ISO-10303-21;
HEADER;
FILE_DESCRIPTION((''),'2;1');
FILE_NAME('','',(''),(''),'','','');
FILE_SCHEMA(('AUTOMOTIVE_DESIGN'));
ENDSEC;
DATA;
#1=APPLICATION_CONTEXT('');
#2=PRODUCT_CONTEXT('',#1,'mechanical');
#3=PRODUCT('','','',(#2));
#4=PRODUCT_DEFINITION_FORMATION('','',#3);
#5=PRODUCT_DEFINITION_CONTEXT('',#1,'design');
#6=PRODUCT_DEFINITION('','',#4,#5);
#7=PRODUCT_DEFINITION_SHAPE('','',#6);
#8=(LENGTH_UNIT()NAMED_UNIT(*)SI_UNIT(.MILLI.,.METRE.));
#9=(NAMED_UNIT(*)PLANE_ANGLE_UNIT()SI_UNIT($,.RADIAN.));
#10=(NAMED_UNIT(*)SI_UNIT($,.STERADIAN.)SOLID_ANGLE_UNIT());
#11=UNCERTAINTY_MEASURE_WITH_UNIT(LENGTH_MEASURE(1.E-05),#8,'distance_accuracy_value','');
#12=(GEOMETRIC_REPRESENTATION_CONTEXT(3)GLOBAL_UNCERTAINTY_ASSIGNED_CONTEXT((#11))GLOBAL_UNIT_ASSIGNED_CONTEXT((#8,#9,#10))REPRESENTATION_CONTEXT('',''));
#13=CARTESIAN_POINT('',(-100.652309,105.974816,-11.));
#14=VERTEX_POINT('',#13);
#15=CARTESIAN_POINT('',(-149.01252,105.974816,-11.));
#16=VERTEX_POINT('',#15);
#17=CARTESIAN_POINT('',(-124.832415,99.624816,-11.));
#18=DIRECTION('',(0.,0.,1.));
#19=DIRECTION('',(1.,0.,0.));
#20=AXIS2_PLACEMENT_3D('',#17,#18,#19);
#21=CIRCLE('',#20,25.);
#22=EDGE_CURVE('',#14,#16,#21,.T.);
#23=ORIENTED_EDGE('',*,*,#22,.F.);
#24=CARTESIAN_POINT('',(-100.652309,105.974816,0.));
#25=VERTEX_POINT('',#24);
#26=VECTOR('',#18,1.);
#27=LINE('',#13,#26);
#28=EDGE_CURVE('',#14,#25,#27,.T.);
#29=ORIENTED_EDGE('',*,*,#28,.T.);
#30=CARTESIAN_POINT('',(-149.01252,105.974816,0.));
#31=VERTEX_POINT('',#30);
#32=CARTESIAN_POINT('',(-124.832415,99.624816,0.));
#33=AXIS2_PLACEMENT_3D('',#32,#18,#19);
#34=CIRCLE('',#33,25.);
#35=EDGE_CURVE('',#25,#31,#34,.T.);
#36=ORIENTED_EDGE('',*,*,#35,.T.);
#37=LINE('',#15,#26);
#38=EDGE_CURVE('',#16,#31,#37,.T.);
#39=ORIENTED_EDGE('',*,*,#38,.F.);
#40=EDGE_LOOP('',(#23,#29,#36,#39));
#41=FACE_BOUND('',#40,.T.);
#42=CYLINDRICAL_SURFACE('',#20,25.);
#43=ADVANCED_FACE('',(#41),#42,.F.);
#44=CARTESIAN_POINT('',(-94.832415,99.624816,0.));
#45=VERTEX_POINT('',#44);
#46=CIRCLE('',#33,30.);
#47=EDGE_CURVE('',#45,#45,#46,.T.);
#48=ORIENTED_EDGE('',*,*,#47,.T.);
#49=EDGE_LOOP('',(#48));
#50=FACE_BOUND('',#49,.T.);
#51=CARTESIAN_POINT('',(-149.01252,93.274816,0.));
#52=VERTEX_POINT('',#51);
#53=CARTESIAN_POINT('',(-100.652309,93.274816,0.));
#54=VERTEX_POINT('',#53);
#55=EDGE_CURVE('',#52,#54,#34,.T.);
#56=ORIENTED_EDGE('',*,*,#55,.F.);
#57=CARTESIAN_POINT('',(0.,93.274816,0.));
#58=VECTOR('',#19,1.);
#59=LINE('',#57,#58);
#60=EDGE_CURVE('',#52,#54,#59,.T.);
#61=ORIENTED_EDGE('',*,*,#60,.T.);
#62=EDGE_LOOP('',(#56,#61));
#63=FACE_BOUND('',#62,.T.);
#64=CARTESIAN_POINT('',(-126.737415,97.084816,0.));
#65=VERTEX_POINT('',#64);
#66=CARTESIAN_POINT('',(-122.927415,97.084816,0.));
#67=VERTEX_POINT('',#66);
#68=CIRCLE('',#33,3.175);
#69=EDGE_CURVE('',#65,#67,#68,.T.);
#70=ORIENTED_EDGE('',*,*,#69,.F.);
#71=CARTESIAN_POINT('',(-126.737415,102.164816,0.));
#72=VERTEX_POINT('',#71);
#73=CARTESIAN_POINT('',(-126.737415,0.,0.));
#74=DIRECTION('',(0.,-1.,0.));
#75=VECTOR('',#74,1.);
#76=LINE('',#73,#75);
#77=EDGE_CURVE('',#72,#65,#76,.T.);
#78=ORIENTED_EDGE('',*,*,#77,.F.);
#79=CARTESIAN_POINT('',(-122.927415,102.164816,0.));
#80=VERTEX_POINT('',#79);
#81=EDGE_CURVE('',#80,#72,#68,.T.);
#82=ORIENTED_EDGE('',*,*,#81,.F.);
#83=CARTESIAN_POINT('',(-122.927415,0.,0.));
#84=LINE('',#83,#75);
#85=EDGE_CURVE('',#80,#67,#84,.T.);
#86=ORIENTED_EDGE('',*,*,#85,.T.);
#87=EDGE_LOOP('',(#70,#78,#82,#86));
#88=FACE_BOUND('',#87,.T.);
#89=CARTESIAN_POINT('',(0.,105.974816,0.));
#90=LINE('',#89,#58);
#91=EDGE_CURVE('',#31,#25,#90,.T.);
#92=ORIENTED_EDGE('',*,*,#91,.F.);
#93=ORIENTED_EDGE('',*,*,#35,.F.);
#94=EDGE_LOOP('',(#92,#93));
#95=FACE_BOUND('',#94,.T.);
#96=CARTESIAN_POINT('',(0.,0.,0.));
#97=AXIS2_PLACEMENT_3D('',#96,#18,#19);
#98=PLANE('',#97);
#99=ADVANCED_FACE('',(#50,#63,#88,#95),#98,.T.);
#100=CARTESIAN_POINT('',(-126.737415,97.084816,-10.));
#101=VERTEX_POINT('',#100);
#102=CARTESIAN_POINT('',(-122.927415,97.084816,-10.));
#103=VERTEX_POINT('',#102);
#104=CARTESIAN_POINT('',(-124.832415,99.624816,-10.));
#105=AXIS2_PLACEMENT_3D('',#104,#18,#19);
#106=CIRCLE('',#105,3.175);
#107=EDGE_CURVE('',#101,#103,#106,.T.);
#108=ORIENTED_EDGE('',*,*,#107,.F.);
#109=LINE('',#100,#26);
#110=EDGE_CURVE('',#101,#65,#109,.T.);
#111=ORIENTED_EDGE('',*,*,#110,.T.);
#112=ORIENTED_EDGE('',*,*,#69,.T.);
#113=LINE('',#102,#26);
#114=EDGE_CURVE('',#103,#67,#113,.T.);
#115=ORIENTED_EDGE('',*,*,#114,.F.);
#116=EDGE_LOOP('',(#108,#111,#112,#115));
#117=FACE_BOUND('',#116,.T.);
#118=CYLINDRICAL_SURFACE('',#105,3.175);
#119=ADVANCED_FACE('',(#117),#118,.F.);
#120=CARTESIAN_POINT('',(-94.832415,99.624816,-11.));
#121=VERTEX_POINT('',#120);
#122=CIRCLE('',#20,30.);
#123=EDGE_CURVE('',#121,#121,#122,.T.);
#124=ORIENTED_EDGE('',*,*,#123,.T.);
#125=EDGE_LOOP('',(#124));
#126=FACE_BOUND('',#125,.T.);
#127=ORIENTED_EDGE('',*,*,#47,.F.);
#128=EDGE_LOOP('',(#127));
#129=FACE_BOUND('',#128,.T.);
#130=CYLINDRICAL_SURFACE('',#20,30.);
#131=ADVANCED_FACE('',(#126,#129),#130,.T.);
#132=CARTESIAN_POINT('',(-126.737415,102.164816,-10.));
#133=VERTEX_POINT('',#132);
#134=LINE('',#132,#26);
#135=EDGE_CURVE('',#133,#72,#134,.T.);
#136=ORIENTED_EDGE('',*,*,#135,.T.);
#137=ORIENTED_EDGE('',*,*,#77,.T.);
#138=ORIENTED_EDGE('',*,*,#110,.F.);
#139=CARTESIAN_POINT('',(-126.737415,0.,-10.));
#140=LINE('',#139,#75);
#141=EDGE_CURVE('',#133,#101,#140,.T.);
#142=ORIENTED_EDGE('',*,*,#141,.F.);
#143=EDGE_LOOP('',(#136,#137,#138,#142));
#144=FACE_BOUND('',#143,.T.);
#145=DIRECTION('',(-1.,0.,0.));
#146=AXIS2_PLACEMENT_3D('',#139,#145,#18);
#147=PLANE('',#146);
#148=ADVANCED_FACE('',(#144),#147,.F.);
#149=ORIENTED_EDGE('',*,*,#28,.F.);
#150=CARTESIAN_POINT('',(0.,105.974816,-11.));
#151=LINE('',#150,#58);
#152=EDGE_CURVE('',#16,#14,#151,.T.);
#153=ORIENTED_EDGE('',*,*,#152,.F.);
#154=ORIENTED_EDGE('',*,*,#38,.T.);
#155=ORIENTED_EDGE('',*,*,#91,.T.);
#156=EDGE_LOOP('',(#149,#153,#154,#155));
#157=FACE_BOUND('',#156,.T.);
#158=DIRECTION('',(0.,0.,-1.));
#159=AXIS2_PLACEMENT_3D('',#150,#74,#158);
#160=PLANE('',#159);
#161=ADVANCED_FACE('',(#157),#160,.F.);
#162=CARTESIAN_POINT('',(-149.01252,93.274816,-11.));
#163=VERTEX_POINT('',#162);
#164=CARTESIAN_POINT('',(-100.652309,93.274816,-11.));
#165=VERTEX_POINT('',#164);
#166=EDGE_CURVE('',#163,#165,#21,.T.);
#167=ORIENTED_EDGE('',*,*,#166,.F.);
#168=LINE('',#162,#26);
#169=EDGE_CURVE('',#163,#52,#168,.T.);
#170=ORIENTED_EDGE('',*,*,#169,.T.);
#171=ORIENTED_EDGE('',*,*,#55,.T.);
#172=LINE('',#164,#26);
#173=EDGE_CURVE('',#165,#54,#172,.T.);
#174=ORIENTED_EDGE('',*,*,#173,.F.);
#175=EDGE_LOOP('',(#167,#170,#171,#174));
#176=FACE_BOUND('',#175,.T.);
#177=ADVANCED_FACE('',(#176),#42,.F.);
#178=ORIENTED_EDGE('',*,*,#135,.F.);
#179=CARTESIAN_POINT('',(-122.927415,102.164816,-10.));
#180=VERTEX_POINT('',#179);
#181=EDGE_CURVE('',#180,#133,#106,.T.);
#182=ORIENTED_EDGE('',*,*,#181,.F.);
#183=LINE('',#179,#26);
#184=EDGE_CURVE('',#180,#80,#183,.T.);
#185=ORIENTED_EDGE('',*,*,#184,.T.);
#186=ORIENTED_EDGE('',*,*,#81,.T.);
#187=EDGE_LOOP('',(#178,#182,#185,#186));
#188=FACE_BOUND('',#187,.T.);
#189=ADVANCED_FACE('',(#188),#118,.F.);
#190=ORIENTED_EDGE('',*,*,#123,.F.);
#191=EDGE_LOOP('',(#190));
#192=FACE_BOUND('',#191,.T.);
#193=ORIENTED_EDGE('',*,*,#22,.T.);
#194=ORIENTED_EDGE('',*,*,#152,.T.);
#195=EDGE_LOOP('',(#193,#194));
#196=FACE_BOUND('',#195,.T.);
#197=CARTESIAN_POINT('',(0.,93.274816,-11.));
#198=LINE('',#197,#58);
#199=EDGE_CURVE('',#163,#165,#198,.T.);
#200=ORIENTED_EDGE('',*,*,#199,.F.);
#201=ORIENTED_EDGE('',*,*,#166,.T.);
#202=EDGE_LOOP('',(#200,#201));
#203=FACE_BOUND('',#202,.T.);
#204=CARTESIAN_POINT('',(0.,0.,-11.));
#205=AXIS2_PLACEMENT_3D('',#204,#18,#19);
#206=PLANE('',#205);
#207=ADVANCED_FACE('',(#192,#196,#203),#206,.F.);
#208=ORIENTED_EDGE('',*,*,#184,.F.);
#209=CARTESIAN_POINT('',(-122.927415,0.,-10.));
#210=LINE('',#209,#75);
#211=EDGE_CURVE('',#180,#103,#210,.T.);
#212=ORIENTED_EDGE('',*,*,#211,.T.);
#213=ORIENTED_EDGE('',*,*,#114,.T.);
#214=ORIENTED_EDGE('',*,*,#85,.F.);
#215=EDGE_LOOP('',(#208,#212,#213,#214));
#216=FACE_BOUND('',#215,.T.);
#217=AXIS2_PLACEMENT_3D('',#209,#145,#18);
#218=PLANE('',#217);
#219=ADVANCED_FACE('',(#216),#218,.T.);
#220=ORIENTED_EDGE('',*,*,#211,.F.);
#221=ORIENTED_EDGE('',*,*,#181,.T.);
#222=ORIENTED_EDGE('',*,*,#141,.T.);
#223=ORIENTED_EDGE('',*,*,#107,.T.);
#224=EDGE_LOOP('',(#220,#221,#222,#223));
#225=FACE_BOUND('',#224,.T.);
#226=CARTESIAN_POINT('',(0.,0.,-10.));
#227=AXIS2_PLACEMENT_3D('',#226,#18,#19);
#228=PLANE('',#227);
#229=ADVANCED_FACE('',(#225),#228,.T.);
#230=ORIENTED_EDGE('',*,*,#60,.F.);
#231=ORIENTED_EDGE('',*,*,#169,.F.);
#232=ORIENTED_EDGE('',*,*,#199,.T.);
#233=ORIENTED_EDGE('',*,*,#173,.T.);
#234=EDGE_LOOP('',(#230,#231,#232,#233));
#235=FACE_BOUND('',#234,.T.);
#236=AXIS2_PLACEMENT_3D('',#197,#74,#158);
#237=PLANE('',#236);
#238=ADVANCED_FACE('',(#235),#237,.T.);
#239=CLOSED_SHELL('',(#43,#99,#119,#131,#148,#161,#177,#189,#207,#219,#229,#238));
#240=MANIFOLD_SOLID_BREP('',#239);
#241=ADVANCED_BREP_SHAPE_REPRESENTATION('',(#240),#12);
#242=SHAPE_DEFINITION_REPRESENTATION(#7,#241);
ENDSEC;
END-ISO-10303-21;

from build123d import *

# Parameters (mm, degrees)
SKETCH2_R           = 30
BOSS_EXTRUDE1_DEPTH = 11
CUT_EXTRUDE1_DEPTH  = 10


with BuildPart() as part:
    # Sketch2 → Boss-Extrude1 (new body)
    with BuildSketch(Plane.XY):
        with Locations((-124.832414552, 99.62481555)):
            Circle(SKETCH2_R)
        with BuildLine():
            Line((-100.652309094, 105.97481555), (-149.012520011, 105.97481555))
            ThreePointArc((-149.012520011, 105.97481555), (-124.832414552, 124.62481555), (-100.652309094, 105.97481555))
        make_face(mode=Mode.SUBTRACT)
        with BuildLine():
            Line((-149.012520011, 93.27481555), (-100.652309094, 93.27481555))
            ThreePointArc((-100.652309094, 93.27481555), (-124.832414552, 74.62481555), (-149.012520011, 93.27481555))
        make_face(mode=Mode.SUBTRACT)
    extrude(amount=-BOSS_EXTRUDE1_DEPTH)

    # Sketch2<3> → Cut-Extrude1 (cut)
    with BuildSketch(Plane.XY):
        with BuildLine():
            ThreePointArc((-122.927414552, 102.16481555), (-124.832414552, 102.79981555), (-126.737414552, 102.16481555))
            Line((-126.737414552, 102.16481555), (-126.737414552, 97.08481555))
            ThreePointArc((-126.737414552, 97.08481555), (-124.832414552, 96.44981555), (-122.927414552, 97.08481555))
            Line((-122.927414552, 97.08481555), (-122.927414552, 102.16481555))
        make_face()
    extrude(amount=-CUT_EXTRUDE1_DEPTH, mode=Mode.SUBTRACT)


solid = part.part
